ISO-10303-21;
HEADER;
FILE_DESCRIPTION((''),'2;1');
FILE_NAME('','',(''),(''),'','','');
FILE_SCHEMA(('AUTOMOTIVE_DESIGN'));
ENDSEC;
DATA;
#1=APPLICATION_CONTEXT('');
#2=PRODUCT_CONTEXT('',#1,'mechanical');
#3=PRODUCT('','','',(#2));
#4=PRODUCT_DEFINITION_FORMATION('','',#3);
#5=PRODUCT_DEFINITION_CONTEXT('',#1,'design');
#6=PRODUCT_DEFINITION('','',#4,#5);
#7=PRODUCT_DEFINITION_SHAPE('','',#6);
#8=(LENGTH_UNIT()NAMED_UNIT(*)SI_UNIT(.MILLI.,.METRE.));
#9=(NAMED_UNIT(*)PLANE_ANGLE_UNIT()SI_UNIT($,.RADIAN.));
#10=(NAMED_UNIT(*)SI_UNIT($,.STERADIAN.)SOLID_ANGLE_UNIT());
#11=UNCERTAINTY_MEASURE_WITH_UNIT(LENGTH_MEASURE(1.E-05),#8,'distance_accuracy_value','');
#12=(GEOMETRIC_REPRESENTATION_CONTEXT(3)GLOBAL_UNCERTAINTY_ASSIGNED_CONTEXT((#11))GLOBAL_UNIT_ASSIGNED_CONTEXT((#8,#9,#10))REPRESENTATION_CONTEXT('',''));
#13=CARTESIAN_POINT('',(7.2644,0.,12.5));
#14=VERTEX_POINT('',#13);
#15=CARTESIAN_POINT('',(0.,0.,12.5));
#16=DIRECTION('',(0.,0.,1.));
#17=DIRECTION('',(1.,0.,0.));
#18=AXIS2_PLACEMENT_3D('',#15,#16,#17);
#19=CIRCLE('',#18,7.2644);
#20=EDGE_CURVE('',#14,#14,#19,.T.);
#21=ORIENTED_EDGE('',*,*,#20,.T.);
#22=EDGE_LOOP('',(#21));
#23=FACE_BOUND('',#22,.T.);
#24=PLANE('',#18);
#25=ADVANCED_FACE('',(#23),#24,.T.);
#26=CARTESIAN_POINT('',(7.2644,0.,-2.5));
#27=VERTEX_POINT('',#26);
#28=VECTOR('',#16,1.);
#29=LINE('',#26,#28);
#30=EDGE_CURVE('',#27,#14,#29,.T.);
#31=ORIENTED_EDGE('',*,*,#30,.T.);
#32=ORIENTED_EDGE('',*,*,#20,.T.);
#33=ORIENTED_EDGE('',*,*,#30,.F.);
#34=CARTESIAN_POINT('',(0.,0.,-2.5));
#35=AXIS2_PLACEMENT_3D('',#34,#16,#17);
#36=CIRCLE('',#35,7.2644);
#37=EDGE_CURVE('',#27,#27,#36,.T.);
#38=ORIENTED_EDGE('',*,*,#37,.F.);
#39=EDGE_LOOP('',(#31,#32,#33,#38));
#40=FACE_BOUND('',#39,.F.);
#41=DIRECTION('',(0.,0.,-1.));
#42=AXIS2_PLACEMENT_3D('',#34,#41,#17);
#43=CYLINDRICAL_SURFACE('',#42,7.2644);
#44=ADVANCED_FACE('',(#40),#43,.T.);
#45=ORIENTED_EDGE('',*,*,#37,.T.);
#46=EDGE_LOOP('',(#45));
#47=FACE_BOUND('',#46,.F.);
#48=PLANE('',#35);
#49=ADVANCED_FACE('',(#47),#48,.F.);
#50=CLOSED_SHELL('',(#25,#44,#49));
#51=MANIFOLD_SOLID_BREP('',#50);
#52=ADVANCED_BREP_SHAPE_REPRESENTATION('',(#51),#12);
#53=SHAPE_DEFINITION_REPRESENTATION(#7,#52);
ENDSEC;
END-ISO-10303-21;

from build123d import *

# Parameters (mm, degrees)
CYLINDER_R     = 7.2644
CYLINDER_DEPTH = 15


with BuildPart() as part:
    # Cylinder → Cylinder (new body)
    with BuildSketch(Plane.XY.offset(-2.5)):
        Circle(CYLINDER_R)
    extrude(amount=CYLINDER_DEPTH)


solid = part.part
